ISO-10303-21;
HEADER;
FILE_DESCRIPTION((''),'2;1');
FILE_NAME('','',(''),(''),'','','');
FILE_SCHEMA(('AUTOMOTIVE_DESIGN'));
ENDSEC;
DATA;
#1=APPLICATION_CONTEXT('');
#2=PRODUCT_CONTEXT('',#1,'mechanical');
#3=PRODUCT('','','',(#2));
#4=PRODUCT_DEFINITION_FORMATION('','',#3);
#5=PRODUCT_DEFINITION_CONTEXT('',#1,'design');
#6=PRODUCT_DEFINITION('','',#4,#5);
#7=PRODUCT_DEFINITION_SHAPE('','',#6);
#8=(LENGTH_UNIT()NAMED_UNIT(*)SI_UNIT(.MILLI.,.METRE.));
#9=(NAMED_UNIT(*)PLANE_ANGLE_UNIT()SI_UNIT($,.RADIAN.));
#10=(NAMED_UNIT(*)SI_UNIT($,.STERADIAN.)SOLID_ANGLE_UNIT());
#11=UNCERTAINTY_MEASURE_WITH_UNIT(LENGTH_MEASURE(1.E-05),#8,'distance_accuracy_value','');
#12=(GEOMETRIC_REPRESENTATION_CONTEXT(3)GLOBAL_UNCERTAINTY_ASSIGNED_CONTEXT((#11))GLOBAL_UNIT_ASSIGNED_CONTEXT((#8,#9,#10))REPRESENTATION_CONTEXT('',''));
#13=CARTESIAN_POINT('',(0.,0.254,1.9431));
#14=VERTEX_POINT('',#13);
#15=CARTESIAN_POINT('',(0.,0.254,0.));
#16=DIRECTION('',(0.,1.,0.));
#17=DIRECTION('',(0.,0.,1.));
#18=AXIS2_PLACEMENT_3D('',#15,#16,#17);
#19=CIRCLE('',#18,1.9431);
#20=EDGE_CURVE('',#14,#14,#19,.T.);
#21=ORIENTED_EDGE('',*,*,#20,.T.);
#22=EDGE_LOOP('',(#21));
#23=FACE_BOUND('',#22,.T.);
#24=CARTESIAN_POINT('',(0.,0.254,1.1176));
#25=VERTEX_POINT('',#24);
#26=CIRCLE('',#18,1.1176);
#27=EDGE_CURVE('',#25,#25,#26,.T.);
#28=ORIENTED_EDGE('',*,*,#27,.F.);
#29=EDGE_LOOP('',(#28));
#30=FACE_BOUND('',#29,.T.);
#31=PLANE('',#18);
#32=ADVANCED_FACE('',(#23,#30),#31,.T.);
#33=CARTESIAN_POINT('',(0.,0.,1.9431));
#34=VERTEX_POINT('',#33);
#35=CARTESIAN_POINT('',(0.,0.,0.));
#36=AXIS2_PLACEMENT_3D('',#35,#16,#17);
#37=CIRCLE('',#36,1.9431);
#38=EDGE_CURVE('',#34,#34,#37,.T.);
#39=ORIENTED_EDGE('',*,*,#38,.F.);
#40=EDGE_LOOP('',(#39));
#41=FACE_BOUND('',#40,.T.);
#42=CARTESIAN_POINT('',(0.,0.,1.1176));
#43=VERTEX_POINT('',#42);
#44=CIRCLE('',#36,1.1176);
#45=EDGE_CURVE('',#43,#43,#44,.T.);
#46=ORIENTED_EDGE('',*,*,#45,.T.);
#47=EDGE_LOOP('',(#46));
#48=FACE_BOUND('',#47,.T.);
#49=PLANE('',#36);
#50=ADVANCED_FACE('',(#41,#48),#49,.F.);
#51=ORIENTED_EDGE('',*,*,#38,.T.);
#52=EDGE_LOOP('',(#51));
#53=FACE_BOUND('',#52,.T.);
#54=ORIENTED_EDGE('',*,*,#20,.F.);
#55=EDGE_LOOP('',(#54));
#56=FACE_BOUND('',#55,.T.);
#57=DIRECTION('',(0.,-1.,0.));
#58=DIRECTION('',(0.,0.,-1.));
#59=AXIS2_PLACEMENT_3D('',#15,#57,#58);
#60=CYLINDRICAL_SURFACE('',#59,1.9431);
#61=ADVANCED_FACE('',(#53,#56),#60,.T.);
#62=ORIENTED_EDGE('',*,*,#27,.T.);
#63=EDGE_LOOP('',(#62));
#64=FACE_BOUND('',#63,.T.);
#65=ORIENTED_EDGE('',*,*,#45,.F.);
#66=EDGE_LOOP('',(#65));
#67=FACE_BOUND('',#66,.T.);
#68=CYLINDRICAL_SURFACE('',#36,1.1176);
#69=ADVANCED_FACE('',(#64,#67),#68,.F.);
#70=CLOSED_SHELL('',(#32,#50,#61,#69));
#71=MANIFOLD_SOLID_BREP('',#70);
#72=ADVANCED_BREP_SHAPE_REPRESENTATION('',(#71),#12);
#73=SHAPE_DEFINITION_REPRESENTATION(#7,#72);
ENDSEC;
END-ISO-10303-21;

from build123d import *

# Parameters (mm, degrees)
SKETCH1_R           = 1.9431
BOSS_EXTRUDE1_DEPTH = 0.254
SKETCH5_R           = 1.1176
CUT_EXTRUDE1_DEPTH  = 1.254


with BuildPart() as part:
    # Sketch1 → Boss-Extrude1 (new body)
    with BuildSketch(Plane(origin=(0, 0, 0), x_dir=(1, 0, 0), z_dir=(0, 1, 0))):
        Circle(SKETCH1_R)
    extrude(amount=BOSS_EXTRUDE1_DEPTH)

    # Sketch5 → Cut-Extrude1 (cut, through all)
    with BuildSketch(Plane(origin=(0, 0.254, 0), x_dir=(-1, 0, 0), z_dir=(0, 1, 0))):
        Circle(SKETCH5_R)
    extrude(amount=-CUT_EXTRUDE1_DEPTH, mode=Mode.SUBTRACT)


solid = part.part
